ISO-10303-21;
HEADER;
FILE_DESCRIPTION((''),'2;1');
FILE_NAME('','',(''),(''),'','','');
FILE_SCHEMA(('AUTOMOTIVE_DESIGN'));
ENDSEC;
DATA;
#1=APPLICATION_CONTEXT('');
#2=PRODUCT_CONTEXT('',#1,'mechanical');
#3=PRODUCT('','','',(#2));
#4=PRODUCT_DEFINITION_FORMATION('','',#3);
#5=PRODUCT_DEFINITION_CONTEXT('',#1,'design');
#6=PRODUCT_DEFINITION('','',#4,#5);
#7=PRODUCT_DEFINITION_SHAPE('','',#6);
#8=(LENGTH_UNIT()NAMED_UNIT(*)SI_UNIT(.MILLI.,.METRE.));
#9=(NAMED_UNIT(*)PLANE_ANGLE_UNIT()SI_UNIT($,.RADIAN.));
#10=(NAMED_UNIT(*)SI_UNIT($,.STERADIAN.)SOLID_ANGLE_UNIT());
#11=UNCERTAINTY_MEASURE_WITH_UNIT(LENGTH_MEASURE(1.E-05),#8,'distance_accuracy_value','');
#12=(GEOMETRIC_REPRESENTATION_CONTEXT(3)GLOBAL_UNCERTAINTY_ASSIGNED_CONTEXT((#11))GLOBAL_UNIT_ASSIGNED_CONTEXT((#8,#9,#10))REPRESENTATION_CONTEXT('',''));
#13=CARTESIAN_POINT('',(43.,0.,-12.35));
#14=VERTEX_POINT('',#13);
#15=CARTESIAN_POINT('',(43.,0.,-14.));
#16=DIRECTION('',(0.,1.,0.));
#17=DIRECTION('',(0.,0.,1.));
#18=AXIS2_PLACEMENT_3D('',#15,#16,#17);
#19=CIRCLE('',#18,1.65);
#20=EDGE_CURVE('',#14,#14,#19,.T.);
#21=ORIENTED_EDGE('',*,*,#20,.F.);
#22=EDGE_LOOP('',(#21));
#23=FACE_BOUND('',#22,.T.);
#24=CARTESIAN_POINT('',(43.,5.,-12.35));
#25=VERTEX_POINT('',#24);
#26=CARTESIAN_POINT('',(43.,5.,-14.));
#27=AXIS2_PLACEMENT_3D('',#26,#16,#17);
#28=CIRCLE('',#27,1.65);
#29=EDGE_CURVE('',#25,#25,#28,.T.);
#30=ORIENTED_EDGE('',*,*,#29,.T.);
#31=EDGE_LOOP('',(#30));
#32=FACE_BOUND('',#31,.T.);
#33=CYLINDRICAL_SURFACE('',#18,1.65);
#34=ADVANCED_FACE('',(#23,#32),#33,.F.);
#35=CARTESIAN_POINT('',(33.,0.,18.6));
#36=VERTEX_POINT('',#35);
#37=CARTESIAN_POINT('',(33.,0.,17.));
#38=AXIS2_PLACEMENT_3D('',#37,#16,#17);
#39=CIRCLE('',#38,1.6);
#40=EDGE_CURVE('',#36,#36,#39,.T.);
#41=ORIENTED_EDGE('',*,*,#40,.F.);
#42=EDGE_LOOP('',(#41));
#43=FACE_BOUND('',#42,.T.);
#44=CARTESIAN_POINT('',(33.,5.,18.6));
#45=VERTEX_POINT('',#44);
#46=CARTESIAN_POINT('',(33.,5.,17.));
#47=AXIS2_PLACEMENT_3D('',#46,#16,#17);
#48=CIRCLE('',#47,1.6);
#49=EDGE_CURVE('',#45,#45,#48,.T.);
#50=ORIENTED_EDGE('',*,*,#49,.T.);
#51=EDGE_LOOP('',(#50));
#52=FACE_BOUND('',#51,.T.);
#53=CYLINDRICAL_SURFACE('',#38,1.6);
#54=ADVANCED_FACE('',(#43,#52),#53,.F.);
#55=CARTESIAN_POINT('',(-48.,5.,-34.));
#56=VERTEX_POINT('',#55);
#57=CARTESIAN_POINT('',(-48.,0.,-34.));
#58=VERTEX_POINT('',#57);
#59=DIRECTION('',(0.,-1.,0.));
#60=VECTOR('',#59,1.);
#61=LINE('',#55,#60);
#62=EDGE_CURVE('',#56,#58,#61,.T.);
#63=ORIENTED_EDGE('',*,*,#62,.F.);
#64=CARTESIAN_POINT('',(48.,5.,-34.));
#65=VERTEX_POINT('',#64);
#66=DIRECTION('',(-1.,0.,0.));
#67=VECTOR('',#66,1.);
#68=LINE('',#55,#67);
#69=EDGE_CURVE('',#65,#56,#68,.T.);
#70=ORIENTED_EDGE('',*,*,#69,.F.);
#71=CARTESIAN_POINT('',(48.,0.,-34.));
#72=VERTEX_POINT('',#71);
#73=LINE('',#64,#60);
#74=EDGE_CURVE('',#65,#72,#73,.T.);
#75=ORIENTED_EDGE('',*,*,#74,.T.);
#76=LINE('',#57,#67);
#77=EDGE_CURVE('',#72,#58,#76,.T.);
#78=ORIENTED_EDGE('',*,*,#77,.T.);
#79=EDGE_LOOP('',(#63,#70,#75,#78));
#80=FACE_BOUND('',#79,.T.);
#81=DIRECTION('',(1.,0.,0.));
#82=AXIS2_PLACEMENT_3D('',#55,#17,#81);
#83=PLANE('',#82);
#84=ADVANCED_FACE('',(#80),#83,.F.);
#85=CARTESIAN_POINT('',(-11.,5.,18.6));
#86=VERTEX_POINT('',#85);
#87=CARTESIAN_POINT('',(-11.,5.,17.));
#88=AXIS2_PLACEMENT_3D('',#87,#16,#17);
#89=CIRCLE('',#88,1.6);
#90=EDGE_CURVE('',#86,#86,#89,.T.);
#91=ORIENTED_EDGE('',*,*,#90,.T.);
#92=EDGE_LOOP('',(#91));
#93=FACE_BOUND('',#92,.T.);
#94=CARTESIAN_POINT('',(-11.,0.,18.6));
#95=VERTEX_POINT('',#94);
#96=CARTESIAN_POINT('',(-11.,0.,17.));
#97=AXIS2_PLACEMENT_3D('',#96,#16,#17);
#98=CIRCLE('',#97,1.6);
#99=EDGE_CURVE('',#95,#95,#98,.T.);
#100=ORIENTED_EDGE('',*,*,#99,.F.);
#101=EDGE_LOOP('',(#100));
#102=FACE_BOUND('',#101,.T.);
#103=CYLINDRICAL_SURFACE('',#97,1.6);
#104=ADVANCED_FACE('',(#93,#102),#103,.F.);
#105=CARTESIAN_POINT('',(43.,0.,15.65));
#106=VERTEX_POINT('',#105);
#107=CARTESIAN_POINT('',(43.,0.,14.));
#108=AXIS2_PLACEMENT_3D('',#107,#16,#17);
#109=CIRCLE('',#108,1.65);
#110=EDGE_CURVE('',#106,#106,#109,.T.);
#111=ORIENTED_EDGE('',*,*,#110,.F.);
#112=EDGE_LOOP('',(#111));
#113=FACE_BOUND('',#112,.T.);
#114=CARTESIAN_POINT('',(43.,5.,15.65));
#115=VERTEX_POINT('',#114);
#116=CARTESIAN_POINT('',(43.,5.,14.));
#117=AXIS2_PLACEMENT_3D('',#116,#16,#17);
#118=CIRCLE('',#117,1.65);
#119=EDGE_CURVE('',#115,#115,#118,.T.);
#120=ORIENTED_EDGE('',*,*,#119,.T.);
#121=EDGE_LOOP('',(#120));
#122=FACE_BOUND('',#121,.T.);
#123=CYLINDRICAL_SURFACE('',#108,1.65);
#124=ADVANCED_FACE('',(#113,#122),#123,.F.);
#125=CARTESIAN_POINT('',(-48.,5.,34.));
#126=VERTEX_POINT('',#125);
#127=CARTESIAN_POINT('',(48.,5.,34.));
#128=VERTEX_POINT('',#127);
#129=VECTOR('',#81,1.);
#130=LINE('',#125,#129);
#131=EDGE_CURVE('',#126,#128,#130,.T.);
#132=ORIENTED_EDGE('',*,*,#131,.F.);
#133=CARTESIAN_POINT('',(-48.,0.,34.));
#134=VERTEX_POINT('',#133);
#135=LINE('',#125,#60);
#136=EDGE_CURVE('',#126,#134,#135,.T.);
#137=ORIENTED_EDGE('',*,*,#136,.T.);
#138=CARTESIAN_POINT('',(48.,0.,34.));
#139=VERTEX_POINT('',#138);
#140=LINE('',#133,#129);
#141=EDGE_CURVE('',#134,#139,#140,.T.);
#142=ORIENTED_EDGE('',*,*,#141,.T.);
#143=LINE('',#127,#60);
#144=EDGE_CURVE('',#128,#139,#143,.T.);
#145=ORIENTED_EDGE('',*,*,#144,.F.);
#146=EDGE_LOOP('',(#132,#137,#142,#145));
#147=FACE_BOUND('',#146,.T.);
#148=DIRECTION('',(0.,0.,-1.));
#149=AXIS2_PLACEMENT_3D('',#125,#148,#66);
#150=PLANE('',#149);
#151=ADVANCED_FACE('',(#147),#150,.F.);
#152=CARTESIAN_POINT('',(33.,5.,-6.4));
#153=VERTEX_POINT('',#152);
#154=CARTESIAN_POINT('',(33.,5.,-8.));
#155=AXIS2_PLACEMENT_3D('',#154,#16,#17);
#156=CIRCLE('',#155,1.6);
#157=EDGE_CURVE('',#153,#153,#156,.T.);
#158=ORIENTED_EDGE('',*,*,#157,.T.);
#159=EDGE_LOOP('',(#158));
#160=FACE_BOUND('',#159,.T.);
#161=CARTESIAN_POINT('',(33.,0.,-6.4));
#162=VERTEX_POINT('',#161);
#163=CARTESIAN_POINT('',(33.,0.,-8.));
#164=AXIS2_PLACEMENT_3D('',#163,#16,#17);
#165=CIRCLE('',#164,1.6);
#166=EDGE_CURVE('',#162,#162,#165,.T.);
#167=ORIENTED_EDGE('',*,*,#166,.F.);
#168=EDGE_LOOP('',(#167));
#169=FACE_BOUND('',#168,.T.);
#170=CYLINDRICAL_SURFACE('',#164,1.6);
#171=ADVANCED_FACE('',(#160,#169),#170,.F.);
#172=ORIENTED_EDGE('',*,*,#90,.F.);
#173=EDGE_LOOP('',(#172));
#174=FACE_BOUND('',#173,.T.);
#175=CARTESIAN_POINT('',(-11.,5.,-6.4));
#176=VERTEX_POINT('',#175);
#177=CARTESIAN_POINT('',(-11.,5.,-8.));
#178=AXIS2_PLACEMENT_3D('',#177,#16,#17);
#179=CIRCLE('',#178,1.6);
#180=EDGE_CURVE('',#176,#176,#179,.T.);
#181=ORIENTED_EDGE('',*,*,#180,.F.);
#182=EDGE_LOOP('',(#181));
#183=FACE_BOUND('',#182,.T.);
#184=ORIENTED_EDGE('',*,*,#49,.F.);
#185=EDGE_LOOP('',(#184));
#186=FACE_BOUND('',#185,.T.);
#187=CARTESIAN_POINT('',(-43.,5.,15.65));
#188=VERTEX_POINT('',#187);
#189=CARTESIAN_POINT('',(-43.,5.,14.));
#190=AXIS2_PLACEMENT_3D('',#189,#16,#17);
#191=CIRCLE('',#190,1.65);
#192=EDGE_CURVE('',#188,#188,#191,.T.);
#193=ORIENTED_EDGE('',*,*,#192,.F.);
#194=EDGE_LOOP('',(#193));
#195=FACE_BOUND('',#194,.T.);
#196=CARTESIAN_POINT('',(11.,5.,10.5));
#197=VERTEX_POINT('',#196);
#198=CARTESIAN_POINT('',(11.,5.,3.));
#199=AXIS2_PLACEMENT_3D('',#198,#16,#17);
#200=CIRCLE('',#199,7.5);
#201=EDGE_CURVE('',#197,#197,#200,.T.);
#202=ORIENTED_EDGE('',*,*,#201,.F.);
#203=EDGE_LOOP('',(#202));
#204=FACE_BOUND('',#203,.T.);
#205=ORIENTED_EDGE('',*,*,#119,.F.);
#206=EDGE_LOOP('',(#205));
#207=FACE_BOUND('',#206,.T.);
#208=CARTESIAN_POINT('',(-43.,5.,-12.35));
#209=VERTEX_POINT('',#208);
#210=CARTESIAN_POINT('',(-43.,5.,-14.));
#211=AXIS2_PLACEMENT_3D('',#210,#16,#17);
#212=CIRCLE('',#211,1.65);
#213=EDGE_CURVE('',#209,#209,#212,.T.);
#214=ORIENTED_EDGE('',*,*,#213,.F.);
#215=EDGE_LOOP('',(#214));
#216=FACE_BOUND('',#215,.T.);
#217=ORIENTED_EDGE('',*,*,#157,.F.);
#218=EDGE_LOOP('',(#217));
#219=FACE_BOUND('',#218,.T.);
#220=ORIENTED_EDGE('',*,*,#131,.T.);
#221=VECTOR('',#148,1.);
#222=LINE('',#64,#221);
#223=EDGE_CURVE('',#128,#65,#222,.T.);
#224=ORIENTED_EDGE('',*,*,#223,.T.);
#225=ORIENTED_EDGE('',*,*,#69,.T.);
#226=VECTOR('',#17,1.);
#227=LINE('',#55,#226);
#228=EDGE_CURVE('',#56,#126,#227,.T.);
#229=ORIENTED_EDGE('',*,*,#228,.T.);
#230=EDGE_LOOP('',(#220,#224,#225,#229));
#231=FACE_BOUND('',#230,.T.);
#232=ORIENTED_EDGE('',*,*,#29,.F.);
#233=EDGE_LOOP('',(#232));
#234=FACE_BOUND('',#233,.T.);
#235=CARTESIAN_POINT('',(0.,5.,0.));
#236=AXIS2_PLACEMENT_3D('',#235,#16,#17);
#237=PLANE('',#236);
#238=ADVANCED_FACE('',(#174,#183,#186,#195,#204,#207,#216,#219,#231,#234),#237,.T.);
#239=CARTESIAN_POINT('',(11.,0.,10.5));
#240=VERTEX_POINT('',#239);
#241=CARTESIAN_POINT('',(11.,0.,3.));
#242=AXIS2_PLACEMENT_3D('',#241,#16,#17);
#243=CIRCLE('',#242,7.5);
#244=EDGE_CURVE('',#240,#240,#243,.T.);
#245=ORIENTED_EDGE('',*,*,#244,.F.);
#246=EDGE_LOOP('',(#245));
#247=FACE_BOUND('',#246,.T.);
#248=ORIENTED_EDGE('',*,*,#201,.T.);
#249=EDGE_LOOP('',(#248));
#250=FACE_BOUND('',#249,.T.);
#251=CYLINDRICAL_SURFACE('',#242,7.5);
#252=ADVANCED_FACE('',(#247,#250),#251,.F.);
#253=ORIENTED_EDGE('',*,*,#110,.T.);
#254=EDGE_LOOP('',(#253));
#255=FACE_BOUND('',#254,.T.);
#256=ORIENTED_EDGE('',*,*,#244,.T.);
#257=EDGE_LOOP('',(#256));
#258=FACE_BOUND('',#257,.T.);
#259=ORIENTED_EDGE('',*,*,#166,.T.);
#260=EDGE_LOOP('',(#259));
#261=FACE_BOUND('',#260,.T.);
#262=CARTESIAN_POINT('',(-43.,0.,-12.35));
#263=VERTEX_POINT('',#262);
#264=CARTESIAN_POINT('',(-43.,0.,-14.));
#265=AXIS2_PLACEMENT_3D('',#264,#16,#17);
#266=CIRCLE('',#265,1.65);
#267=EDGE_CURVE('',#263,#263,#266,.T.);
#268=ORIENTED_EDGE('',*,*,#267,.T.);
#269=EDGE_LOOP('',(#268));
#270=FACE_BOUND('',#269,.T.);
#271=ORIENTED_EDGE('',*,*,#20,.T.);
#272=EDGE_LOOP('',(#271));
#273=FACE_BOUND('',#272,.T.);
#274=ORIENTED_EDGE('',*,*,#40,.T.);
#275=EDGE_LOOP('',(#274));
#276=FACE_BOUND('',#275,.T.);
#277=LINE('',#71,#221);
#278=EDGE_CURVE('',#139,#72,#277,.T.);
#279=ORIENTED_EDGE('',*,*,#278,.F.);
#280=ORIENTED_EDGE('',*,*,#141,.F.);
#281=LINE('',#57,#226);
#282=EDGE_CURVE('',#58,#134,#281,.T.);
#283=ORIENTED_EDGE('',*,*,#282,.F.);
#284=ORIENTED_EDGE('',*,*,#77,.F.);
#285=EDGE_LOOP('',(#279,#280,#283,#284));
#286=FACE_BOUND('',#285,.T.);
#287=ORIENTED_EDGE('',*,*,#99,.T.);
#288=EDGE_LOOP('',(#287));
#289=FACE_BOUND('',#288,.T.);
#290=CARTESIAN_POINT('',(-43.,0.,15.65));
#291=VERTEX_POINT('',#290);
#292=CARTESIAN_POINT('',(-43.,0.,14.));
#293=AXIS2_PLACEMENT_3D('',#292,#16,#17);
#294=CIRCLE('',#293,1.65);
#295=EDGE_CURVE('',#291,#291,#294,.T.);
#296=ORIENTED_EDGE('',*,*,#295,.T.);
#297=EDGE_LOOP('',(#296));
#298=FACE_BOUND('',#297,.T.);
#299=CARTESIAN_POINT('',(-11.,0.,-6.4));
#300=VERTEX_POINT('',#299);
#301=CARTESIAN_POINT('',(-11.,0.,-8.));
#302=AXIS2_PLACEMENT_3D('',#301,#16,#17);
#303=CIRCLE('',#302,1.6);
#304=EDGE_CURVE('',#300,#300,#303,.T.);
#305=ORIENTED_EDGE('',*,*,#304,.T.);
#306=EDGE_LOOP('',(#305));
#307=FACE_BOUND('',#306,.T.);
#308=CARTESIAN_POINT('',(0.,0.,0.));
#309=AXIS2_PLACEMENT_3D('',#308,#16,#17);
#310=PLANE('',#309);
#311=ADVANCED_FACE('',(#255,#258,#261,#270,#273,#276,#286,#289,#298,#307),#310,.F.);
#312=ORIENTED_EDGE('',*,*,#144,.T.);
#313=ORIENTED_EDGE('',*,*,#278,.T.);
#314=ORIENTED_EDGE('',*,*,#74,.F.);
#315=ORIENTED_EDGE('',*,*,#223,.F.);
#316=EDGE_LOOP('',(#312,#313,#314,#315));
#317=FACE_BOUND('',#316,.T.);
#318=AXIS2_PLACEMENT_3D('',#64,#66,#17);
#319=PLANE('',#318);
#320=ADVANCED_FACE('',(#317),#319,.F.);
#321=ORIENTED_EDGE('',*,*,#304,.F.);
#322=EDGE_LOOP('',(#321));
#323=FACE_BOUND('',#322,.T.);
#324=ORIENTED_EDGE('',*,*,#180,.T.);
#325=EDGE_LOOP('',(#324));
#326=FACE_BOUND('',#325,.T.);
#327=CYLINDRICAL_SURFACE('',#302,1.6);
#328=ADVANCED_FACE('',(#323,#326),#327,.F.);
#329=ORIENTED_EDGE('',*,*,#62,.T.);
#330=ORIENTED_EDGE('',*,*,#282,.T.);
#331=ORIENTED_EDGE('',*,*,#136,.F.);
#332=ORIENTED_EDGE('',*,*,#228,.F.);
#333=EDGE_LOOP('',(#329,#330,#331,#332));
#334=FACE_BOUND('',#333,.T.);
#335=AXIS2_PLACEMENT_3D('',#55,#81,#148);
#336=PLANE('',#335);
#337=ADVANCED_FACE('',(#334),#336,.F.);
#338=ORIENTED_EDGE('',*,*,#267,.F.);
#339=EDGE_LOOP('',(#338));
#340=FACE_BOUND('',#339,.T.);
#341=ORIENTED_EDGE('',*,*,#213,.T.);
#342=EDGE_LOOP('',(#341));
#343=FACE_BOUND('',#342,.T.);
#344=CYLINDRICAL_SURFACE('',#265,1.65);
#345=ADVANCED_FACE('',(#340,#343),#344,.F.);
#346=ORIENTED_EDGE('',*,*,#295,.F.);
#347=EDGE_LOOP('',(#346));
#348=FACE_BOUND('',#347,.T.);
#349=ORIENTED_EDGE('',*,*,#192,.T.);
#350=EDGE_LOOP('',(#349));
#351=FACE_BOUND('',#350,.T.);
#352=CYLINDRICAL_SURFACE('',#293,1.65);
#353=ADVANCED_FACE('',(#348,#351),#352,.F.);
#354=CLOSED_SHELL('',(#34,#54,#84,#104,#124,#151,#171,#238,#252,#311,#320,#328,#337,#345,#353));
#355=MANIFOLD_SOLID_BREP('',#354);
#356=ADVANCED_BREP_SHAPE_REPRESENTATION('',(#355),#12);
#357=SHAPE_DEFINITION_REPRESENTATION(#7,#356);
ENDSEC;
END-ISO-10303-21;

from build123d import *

# Parameters (mm, degrees)
SKETCH1_W           = 96
SKETCH1_H           = 68
BOSS_EXTRUDE1_DEPTH = 5
SKETCH2_R           = 1.65
SKETCH2_R_2         = 1.6
SKETCH2_R_3         = 7.5
CUT_EXTRUDE1_DEPTH  = 60.033888573


with BuildPart() as part:
    # Sketch1 → Boss-Extrude1 (new body)
    with BuildSketch(Plane(origin=(0, 0, 0), x_dir=(1, 0, 0), z_dir=(0, 1, 0))):
        Rectangle(SKETCH1_W, SKETCH1_H)
    extrude(amount=BOSS_EXTRUDE1_DEPTH)

    # Sketch2 → Cut-Extrude1 (cut, through all)
    with BuildSketch(Plane(origin=(0, 5, 0), x_dir=(1, 0, 0), z_dir=(0, 1, 0))):
        with Locations(Location((-43, 14, 0), (0, 0, 270))):
            Circle(SKETCH2_R)
        with Locations(Location((43, 14, 0), (0, 0, 270))):
            Circle(SKETCH2_R)
        with Locations(Location((43, -14, 0), (0, 0, 270))):
            Circle(SKETCH2_R)
        with Locations(Location((-43, -14, 0), (0, 0, 270))):
            Circle(SKETCH2_R)
        with Locations(Location((-11, 8, 0), (0, 0, 270))):
            Circle(SKETCH2_R_2)
        with Locations(Location((33, 8, 0), (0, 0, 270))):
            Circle(SKETCH2_R_2)
        with Locations(Location((33, -17, 0), (0, 0, 270))):
            Circle(SKETCH2_R_2)
        with Locations(Location((-11, -17, 0), (0, 0, 270))):
            Circle(SKETCH2_R_2)
        with Locations(Location((11, -3, 0), (0, 0, 270))):
            Circle(SKETCH2_R_3)
    extrude(amount=-CUT_EXTRUDE1_DEPTH, mode=Mode.SUBTRACT)


solid = part.part
